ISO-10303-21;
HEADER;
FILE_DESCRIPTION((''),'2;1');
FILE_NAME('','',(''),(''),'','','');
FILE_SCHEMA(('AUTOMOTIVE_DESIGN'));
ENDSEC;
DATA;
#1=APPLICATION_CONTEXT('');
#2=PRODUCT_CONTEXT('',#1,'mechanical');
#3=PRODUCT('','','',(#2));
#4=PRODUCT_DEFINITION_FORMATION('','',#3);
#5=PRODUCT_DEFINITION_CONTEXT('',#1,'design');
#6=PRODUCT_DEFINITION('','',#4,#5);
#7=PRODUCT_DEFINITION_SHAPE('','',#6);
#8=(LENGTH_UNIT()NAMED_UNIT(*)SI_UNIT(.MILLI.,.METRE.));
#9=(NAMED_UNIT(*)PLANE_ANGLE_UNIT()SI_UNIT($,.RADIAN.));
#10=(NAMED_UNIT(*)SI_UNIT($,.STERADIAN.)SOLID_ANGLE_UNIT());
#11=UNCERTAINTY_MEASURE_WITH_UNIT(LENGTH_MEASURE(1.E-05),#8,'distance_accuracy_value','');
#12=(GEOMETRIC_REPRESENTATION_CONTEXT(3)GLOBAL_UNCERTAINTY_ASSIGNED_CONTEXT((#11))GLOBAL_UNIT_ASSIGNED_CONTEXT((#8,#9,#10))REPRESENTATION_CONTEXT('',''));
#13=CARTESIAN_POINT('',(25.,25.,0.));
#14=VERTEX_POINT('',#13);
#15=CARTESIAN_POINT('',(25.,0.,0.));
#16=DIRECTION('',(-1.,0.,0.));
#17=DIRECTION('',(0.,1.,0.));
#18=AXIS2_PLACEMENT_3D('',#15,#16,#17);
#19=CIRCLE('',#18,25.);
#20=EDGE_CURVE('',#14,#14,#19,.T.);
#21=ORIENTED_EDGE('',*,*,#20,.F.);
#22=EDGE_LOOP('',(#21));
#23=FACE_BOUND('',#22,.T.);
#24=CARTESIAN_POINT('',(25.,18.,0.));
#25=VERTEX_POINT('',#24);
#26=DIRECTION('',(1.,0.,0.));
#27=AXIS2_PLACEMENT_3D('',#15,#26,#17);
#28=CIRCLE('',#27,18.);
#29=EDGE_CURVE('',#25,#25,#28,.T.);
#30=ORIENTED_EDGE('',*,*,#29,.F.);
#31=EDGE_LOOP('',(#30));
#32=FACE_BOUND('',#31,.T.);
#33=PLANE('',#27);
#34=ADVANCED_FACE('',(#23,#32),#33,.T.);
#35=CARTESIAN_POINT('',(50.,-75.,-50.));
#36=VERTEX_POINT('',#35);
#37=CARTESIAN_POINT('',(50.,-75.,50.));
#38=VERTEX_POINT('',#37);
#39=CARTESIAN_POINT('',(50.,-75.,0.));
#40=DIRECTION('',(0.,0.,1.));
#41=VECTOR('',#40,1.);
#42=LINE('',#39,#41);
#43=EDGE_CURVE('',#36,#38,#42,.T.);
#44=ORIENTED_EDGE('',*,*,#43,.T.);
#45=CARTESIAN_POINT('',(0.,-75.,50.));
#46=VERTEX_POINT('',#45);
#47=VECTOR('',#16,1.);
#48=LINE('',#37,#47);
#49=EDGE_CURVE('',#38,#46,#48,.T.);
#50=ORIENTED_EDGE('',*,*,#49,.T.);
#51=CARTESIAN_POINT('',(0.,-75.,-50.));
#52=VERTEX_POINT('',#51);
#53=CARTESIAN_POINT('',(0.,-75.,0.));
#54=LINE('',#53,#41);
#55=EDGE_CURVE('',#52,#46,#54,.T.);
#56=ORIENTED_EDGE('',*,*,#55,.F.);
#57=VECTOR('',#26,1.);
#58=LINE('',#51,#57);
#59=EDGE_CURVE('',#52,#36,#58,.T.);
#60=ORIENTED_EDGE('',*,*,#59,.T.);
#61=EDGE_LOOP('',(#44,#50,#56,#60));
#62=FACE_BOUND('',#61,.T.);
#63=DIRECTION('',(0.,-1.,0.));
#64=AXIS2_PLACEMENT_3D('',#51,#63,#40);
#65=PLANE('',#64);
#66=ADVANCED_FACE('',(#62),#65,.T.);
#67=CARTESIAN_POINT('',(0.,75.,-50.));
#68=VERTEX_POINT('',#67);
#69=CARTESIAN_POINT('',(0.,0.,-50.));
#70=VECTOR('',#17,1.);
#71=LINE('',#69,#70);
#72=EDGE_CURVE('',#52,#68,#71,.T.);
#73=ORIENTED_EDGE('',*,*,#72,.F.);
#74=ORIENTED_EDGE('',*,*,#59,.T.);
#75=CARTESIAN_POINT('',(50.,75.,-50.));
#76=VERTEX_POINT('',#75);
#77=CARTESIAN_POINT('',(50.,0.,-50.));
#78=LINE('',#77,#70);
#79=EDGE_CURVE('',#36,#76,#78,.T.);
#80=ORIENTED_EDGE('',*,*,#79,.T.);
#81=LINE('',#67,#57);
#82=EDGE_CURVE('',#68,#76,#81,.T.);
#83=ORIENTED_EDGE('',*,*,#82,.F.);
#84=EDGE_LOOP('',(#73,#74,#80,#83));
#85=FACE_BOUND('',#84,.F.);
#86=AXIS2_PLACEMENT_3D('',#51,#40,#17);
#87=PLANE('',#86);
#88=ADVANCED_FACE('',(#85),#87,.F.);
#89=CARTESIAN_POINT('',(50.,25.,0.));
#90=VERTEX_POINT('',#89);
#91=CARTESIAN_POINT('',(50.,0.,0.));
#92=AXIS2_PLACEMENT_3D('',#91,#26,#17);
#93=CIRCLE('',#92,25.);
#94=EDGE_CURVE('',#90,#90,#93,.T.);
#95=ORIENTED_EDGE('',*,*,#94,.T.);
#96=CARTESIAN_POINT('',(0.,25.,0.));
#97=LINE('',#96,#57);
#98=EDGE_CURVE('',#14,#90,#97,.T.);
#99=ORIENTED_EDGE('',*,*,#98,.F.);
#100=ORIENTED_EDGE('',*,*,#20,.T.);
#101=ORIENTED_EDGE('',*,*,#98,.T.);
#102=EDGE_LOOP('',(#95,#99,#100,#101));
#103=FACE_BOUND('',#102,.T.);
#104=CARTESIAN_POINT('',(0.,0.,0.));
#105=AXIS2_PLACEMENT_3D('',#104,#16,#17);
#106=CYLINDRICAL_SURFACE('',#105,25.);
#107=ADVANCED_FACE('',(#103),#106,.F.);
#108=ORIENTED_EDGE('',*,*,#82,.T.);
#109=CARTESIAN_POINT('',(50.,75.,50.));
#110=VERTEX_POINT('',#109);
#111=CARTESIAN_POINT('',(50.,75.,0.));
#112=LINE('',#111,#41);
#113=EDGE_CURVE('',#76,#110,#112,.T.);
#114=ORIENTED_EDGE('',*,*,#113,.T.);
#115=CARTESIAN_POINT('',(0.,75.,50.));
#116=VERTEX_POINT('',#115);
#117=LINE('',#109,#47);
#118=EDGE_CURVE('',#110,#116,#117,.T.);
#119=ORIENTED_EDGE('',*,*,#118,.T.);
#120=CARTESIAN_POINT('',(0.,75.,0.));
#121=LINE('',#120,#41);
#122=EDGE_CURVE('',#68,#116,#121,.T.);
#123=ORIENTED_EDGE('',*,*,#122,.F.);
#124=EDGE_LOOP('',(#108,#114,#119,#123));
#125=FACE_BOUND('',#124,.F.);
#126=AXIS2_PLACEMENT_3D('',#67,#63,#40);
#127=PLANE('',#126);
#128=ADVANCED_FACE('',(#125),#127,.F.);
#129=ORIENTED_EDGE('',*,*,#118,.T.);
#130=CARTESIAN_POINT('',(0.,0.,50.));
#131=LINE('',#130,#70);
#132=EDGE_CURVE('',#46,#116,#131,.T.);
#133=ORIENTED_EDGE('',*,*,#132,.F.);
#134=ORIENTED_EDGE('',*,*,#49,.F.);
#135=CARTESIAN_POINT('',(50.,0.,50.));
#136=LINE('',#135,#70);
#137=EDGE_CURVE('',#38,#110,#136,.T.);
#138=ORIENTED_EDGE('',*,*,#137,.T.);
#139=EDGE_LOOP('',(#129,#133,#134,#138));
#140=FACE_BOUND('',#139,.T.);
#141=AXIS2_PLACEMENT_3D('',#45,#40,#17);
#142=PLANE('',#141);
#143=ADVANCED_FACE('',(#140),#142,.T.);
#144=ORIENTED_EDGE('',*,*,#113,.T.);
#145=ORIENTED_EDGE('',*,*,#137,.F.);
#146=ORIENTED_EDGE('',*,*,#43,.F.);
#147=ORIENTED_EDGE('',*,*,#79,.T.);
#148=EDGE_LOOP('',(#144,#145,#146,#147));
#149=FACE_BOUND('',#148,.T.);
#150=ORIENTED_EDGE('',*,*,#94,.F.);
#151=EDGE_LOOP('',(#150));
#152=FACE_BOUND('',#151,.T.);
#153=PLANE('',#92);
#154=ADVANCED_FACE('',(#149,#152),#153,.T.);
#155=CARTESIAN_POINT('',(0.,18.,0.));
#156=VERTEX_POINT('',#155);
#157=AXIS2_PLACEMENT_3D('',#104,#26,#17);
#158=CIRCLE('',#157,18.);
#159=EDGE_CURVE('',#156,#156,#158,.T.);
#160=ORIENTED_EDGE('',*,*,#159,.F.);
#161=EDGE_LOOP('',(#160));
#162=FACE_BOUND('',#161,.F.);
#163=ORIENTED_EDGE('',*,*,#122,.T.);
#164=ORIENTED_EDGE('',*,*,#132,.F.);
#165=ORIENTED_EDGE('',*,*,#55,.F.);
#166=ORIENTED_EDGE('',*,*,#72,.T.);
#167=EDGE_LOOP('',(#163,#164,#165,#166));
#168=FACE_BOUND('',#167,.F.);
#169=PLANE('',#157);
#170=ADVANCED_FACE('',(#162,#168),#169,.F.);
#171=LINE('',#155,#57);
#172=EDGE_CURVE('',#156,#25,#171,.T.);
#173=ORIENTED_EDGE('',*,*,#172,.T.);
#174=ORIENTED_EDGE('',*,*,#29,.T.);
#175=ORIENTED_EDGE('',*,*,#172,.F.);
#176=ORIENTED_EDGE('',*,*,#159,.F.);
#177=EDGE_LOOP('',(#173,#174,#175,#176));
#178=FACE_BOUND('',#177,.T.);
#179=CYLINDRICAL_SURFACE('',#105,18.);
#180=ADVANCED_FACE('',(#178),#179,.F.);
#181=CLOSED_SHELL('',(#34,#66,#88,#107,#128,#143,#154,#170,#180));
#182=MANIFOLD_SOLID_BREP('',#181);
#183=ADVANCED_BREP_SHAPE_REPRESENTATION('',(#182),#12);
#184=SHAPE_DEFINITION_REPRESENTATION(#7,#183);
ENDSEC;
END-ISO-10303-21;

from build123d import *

# Parameters (mm, degrees)
F0_W     = 150
F0_H     = 100
F0_R     = 25
F0_R_2   = 18
F1_DEPTH = 25
F2_DEPTH = 50


with BuildPart() as f1:
    # F0 (on Right) → F1 (new body)
    with BuildSketch(Plane.YZ):
        Rectangle(F0_W, F0_H)
        Circle(F0_R, mode=Mode.SUBTRACT)
        Circle(F0_R)
        Circle(F0_R_2, mode=Mode.SUBTRACT)
    extrude(amount=F1_DEPTH)

    # F0 (on Right) → F2 (join)
    with BuildSketch(Plane.YZ):
        Rectangle(F0_W, F0_H)
        Circle(F0_R, mode=Mode.SUBTRACT)
    extrude(amount=F2_DEPTH)


solid = f1.part
